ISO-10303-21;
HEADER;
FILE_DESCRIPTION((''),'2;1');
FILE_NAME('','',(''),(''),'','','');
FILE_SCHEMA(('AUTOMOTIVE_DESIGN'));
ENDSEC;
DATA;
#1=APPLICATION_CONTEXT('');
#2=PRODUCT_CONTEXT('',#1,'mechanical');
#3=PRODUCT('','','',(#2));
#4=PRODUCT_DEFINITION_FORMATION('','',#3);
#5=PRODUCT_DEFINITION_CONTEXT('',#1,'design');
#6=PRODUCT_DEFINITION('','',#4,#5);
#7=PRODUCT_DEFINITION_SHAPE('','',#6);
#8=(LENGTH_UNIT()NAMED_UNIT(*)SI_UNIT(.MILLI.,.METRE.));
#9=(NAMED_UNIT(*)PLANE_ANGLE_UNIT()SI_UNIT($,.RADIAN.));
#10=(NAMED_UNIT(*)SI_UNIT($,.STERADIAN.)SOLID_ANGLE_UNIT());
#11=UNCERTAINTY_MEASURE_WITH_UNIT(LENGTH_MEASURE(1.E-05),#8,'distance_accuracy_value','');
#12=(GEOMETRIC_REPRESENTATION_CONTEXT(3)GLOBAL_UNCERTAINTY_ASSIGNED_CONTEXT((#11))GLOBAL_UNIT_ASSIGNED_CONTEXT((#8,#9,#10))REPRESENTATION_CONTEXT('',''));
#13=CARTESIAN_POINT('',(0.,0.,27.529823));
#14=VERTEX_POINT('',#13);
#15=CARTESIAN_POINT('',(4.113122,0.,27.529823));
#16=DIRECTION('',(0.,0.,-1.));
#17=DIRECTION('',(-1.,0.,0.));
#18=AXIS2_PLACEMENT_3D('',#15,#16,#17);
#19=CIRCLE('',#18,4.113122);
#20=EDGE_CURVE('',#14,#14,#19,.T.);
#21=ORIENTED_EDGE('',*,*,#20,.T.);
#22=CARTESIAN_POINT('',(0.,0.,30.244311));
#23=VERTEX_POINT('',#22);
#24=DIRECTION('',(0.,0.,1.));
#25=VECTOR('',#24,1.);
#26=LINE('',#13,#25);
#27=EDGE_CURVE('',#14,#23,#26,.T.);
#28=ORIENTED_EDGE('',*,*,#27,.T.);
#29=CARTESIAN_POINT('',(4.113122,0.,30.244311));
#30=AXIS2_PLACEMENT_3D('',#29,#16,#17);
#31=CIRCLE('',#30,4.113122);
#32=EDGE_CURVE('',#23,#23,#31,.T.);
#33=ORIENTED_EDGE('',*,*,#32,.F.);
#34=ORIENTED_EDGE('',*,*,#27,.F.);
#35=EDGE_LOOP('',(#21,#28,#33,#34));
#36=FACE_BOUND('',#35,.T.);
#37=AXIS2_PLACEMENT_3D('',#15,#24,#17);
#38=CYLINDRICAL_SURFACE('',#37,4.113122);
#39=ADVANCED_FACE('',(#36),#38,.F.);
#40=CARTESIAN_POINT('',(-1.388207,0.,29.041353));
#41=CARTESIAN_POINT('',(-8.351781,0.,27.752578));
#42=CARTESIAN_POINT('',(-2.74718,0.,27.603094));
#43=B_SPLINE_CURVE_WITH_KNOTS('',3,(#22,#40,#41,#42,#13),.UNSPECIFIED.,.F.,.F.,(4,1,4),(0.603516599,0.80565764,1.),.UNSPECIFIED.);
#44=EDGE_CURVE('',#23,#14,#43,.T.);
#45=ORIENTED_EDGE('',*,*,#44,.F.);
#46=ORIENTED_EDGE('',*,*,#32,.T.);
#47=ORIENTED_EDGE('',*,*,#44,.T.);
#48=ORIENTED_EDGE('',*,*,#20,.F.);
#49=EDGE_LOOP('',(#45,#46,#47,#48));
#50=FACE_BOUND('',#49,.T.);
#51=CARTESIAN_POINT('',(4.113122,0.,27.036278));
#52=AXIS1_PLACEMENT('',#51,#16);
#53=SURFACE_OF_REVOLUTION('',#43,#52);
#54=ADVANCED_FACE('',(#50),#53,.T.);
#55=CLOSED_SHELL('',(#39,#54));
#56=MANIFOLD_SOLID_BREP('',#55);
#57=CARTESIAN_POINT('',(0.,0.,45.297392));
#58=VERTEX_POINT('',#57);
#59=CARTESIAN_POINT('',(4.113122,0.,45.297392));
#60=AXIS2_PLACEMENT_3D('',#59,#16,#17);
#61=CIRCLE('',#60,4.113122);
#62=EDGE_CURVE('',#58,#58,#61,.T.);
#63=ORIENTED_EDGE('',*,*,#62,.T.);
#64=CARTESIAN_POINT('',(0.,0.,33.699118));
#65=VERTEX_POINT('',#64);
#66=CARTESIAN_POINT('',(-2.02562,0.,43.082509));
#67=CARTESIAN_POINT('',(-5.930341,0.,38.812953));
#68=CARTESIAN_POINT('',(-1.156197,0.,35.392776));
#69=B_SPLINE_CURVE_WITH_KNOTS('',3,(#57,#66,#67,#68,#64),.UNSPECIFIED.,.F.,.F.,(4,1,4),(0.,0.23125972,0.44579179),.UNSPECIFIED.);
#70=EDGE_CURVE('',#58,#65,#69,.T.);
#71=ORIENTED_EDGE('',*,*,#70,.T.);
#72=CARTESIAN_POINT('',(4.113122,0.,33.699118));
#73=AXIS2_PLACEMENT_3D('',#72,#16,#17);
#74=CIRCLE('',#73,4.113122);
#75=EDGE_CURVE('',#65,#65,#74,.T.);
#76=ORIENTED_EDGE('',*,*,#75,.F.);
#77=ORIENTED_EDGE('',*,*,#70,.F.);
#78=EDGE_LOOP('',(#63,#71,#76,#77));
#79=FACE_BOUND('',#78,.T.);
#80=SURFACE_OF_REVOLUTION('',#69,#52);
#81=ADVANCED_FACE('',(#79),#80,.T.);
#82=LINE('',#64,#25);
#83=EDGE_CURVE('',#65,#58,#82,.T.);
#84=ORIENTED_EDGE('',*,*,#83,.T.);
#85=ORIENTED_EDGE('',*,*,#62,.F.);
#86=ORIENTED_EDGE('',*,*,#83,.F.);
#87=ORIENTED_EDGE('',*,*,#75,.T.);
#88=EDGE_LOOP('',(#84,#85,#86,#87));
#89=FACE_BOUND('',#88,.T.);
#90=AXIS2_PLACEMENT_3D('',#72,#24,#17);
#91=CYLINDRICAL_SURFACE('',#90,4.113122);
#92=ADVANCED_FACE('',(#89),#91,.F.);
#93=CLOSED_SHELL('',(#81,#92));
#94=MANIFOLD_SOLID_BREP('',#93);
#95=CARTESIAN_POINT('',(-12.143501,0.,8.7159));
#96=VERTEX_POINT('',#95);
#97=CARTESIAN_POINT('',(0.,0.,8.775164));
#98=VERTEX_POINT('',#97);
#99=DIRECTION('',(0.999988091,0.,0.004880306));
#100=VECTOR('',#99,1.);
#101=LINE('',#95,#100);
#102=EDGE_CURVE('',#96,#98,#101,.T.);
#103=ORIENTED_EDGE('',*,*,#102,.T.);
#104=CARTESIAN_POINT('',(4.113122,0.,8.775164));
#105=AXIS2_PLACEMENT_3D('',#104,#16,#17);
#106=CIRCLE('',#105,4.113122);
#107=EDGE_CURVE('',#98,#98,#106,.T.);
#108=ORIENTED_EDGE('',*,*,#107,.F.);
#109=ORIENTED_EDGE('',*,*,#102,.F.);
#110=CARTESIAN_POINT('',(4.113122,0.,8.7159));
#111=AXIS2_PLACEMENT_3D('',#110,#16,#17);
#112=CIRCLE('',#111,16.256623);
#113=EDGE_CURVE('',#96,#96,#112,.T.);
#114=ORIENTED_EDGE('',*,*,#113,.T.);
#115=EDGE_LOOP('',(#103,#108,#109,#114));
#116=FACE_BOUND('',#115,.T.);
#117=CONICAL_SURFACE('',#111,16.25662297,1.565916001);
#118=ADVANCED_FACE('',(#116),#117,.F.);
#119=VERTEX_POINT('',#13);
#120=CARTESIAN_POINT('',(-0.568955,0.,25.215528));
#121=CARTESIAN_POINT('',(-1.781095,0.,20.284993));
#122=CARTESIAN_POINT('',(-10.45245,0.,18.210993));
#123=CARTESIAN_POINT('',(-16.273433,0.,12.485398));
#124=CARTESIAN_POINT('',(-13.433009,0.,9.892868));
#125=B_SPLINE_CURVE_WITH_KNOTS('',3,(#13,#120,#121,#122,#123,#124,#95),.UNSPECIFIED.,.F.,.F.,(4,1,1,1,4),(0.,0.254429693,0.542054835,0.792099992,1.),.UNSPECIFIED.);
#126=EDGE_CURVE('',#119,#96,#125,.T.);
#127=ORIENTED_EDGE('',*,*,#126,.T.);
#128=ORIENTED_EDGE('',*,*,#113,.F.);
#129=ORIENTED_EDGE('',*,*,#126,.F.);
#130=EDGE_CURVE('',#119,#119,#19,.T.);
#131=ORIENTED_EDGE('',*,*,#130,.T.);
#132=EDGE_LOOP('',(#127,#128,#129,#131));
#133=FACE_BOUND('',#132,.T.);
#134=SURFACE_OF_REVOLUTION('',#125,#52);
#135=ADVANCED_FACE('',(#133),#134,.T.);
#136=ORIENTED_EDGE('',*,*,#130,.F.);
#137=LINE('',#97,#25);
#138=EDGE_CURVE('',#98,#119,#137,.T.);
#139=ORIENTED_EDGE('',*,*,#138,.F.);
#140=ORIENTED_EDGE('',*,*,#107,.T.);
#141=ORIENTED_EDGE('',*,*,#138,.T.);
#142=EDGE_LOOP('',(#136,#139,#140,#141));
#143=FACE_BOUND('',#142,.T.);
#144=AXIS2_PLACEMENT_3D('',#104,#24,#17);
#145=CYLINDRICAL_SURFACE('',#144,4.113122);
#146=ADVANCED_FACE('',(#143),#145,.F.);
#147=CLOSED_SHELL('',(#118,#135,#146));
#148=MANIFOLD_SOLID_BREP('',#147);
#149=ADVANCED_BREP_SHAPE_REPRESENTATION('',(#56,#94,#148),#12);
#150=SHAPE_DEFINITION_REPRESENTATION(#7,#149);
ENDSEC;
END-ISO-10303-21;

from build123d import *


with BuildPart() as f1:
    # F0 (on Front) → F1 (revolve)
    with BuildSketch(Plane.XZ):
        with BuildLine():
            Line((0, 21.360527724), (0, 27.5298226625))
            add(Edge.make_bspline(
                [(0, 27.5298226625), (-0.5689546257, 25.2155282415), (-1.7810954, 20.2849933538), (-10.4524495309, 18.2109930533), (-16.2734333671, 12.4853980758), (-13.4330094974, 9.8928680945), (-12.1435010806, 8.7158996612)],
                knots=[0, 0, 0, 0, 0.2544296933, 0.5420548346, 0.792099992, 1, 1, 1, 1], degree=3))
            Line((-12.1435010806, 8.7158996612), (0, 8.7751643732))
            Line((0, 8.7751643732), (0, 21.360527724))
        make_face()
    revolve(axis=Axis((4.1131218895, 0, 27.0362780429), (0, 0, -1)))


with BuildPart() as f1b:
    # F0 (on Front) → F1, piece 2 (revolve)
    with BuildSketch(Plane.XZ):
        with BuildLine():
            Line((0, 27.5298226625), (0, 30.2443113178))
            add(Edge.make_bspline(
                [(0, 30.2443113178), (-1.3882070044, 29.0413526653), (-8.3517811986, 27.7525778934), (-2.7471802647, 27.6030943107), (0, 27.5298226625)],
                knots=[0.6035165989, 0.6035165989, 0.6035165989, 0.6035165989, 0.8056576396, 1, 1, 1, 1], degree=3))
        make_face()
    revolve(axis=Axis((4.1131218895, 0, 27.0362780429), (0, 0, -1)))


with BuildPart() as f1c:
    # F0 (on Front) → F1, piece 3 (revolve)
    with BuildSketch(Plane.XZ):
        with BuildLine():
            Line((0, 33.6991176009), (0, 45.2973917127))
            add(Edge.make_bspline(
                [(0, 45.2973917127), (-2.0256198802, 43.0825093515), (-5.9303409984, 38.8129531456), (-1.1561968652, 35.3927761254), (0, 33.6991176009)],
                knots=[0, 0, 0, 0, 0.2312597199, 0.4457917899, 0.4457917899, 0.4457917899, 0.4457917899], degree=3))
        make_face()
    revolve(axis=Axis((4.1131218895, 0, 27.0362780429), (0, 0, -1)))


solid = Compound([f1.part, f1b.part, f1c.part])
